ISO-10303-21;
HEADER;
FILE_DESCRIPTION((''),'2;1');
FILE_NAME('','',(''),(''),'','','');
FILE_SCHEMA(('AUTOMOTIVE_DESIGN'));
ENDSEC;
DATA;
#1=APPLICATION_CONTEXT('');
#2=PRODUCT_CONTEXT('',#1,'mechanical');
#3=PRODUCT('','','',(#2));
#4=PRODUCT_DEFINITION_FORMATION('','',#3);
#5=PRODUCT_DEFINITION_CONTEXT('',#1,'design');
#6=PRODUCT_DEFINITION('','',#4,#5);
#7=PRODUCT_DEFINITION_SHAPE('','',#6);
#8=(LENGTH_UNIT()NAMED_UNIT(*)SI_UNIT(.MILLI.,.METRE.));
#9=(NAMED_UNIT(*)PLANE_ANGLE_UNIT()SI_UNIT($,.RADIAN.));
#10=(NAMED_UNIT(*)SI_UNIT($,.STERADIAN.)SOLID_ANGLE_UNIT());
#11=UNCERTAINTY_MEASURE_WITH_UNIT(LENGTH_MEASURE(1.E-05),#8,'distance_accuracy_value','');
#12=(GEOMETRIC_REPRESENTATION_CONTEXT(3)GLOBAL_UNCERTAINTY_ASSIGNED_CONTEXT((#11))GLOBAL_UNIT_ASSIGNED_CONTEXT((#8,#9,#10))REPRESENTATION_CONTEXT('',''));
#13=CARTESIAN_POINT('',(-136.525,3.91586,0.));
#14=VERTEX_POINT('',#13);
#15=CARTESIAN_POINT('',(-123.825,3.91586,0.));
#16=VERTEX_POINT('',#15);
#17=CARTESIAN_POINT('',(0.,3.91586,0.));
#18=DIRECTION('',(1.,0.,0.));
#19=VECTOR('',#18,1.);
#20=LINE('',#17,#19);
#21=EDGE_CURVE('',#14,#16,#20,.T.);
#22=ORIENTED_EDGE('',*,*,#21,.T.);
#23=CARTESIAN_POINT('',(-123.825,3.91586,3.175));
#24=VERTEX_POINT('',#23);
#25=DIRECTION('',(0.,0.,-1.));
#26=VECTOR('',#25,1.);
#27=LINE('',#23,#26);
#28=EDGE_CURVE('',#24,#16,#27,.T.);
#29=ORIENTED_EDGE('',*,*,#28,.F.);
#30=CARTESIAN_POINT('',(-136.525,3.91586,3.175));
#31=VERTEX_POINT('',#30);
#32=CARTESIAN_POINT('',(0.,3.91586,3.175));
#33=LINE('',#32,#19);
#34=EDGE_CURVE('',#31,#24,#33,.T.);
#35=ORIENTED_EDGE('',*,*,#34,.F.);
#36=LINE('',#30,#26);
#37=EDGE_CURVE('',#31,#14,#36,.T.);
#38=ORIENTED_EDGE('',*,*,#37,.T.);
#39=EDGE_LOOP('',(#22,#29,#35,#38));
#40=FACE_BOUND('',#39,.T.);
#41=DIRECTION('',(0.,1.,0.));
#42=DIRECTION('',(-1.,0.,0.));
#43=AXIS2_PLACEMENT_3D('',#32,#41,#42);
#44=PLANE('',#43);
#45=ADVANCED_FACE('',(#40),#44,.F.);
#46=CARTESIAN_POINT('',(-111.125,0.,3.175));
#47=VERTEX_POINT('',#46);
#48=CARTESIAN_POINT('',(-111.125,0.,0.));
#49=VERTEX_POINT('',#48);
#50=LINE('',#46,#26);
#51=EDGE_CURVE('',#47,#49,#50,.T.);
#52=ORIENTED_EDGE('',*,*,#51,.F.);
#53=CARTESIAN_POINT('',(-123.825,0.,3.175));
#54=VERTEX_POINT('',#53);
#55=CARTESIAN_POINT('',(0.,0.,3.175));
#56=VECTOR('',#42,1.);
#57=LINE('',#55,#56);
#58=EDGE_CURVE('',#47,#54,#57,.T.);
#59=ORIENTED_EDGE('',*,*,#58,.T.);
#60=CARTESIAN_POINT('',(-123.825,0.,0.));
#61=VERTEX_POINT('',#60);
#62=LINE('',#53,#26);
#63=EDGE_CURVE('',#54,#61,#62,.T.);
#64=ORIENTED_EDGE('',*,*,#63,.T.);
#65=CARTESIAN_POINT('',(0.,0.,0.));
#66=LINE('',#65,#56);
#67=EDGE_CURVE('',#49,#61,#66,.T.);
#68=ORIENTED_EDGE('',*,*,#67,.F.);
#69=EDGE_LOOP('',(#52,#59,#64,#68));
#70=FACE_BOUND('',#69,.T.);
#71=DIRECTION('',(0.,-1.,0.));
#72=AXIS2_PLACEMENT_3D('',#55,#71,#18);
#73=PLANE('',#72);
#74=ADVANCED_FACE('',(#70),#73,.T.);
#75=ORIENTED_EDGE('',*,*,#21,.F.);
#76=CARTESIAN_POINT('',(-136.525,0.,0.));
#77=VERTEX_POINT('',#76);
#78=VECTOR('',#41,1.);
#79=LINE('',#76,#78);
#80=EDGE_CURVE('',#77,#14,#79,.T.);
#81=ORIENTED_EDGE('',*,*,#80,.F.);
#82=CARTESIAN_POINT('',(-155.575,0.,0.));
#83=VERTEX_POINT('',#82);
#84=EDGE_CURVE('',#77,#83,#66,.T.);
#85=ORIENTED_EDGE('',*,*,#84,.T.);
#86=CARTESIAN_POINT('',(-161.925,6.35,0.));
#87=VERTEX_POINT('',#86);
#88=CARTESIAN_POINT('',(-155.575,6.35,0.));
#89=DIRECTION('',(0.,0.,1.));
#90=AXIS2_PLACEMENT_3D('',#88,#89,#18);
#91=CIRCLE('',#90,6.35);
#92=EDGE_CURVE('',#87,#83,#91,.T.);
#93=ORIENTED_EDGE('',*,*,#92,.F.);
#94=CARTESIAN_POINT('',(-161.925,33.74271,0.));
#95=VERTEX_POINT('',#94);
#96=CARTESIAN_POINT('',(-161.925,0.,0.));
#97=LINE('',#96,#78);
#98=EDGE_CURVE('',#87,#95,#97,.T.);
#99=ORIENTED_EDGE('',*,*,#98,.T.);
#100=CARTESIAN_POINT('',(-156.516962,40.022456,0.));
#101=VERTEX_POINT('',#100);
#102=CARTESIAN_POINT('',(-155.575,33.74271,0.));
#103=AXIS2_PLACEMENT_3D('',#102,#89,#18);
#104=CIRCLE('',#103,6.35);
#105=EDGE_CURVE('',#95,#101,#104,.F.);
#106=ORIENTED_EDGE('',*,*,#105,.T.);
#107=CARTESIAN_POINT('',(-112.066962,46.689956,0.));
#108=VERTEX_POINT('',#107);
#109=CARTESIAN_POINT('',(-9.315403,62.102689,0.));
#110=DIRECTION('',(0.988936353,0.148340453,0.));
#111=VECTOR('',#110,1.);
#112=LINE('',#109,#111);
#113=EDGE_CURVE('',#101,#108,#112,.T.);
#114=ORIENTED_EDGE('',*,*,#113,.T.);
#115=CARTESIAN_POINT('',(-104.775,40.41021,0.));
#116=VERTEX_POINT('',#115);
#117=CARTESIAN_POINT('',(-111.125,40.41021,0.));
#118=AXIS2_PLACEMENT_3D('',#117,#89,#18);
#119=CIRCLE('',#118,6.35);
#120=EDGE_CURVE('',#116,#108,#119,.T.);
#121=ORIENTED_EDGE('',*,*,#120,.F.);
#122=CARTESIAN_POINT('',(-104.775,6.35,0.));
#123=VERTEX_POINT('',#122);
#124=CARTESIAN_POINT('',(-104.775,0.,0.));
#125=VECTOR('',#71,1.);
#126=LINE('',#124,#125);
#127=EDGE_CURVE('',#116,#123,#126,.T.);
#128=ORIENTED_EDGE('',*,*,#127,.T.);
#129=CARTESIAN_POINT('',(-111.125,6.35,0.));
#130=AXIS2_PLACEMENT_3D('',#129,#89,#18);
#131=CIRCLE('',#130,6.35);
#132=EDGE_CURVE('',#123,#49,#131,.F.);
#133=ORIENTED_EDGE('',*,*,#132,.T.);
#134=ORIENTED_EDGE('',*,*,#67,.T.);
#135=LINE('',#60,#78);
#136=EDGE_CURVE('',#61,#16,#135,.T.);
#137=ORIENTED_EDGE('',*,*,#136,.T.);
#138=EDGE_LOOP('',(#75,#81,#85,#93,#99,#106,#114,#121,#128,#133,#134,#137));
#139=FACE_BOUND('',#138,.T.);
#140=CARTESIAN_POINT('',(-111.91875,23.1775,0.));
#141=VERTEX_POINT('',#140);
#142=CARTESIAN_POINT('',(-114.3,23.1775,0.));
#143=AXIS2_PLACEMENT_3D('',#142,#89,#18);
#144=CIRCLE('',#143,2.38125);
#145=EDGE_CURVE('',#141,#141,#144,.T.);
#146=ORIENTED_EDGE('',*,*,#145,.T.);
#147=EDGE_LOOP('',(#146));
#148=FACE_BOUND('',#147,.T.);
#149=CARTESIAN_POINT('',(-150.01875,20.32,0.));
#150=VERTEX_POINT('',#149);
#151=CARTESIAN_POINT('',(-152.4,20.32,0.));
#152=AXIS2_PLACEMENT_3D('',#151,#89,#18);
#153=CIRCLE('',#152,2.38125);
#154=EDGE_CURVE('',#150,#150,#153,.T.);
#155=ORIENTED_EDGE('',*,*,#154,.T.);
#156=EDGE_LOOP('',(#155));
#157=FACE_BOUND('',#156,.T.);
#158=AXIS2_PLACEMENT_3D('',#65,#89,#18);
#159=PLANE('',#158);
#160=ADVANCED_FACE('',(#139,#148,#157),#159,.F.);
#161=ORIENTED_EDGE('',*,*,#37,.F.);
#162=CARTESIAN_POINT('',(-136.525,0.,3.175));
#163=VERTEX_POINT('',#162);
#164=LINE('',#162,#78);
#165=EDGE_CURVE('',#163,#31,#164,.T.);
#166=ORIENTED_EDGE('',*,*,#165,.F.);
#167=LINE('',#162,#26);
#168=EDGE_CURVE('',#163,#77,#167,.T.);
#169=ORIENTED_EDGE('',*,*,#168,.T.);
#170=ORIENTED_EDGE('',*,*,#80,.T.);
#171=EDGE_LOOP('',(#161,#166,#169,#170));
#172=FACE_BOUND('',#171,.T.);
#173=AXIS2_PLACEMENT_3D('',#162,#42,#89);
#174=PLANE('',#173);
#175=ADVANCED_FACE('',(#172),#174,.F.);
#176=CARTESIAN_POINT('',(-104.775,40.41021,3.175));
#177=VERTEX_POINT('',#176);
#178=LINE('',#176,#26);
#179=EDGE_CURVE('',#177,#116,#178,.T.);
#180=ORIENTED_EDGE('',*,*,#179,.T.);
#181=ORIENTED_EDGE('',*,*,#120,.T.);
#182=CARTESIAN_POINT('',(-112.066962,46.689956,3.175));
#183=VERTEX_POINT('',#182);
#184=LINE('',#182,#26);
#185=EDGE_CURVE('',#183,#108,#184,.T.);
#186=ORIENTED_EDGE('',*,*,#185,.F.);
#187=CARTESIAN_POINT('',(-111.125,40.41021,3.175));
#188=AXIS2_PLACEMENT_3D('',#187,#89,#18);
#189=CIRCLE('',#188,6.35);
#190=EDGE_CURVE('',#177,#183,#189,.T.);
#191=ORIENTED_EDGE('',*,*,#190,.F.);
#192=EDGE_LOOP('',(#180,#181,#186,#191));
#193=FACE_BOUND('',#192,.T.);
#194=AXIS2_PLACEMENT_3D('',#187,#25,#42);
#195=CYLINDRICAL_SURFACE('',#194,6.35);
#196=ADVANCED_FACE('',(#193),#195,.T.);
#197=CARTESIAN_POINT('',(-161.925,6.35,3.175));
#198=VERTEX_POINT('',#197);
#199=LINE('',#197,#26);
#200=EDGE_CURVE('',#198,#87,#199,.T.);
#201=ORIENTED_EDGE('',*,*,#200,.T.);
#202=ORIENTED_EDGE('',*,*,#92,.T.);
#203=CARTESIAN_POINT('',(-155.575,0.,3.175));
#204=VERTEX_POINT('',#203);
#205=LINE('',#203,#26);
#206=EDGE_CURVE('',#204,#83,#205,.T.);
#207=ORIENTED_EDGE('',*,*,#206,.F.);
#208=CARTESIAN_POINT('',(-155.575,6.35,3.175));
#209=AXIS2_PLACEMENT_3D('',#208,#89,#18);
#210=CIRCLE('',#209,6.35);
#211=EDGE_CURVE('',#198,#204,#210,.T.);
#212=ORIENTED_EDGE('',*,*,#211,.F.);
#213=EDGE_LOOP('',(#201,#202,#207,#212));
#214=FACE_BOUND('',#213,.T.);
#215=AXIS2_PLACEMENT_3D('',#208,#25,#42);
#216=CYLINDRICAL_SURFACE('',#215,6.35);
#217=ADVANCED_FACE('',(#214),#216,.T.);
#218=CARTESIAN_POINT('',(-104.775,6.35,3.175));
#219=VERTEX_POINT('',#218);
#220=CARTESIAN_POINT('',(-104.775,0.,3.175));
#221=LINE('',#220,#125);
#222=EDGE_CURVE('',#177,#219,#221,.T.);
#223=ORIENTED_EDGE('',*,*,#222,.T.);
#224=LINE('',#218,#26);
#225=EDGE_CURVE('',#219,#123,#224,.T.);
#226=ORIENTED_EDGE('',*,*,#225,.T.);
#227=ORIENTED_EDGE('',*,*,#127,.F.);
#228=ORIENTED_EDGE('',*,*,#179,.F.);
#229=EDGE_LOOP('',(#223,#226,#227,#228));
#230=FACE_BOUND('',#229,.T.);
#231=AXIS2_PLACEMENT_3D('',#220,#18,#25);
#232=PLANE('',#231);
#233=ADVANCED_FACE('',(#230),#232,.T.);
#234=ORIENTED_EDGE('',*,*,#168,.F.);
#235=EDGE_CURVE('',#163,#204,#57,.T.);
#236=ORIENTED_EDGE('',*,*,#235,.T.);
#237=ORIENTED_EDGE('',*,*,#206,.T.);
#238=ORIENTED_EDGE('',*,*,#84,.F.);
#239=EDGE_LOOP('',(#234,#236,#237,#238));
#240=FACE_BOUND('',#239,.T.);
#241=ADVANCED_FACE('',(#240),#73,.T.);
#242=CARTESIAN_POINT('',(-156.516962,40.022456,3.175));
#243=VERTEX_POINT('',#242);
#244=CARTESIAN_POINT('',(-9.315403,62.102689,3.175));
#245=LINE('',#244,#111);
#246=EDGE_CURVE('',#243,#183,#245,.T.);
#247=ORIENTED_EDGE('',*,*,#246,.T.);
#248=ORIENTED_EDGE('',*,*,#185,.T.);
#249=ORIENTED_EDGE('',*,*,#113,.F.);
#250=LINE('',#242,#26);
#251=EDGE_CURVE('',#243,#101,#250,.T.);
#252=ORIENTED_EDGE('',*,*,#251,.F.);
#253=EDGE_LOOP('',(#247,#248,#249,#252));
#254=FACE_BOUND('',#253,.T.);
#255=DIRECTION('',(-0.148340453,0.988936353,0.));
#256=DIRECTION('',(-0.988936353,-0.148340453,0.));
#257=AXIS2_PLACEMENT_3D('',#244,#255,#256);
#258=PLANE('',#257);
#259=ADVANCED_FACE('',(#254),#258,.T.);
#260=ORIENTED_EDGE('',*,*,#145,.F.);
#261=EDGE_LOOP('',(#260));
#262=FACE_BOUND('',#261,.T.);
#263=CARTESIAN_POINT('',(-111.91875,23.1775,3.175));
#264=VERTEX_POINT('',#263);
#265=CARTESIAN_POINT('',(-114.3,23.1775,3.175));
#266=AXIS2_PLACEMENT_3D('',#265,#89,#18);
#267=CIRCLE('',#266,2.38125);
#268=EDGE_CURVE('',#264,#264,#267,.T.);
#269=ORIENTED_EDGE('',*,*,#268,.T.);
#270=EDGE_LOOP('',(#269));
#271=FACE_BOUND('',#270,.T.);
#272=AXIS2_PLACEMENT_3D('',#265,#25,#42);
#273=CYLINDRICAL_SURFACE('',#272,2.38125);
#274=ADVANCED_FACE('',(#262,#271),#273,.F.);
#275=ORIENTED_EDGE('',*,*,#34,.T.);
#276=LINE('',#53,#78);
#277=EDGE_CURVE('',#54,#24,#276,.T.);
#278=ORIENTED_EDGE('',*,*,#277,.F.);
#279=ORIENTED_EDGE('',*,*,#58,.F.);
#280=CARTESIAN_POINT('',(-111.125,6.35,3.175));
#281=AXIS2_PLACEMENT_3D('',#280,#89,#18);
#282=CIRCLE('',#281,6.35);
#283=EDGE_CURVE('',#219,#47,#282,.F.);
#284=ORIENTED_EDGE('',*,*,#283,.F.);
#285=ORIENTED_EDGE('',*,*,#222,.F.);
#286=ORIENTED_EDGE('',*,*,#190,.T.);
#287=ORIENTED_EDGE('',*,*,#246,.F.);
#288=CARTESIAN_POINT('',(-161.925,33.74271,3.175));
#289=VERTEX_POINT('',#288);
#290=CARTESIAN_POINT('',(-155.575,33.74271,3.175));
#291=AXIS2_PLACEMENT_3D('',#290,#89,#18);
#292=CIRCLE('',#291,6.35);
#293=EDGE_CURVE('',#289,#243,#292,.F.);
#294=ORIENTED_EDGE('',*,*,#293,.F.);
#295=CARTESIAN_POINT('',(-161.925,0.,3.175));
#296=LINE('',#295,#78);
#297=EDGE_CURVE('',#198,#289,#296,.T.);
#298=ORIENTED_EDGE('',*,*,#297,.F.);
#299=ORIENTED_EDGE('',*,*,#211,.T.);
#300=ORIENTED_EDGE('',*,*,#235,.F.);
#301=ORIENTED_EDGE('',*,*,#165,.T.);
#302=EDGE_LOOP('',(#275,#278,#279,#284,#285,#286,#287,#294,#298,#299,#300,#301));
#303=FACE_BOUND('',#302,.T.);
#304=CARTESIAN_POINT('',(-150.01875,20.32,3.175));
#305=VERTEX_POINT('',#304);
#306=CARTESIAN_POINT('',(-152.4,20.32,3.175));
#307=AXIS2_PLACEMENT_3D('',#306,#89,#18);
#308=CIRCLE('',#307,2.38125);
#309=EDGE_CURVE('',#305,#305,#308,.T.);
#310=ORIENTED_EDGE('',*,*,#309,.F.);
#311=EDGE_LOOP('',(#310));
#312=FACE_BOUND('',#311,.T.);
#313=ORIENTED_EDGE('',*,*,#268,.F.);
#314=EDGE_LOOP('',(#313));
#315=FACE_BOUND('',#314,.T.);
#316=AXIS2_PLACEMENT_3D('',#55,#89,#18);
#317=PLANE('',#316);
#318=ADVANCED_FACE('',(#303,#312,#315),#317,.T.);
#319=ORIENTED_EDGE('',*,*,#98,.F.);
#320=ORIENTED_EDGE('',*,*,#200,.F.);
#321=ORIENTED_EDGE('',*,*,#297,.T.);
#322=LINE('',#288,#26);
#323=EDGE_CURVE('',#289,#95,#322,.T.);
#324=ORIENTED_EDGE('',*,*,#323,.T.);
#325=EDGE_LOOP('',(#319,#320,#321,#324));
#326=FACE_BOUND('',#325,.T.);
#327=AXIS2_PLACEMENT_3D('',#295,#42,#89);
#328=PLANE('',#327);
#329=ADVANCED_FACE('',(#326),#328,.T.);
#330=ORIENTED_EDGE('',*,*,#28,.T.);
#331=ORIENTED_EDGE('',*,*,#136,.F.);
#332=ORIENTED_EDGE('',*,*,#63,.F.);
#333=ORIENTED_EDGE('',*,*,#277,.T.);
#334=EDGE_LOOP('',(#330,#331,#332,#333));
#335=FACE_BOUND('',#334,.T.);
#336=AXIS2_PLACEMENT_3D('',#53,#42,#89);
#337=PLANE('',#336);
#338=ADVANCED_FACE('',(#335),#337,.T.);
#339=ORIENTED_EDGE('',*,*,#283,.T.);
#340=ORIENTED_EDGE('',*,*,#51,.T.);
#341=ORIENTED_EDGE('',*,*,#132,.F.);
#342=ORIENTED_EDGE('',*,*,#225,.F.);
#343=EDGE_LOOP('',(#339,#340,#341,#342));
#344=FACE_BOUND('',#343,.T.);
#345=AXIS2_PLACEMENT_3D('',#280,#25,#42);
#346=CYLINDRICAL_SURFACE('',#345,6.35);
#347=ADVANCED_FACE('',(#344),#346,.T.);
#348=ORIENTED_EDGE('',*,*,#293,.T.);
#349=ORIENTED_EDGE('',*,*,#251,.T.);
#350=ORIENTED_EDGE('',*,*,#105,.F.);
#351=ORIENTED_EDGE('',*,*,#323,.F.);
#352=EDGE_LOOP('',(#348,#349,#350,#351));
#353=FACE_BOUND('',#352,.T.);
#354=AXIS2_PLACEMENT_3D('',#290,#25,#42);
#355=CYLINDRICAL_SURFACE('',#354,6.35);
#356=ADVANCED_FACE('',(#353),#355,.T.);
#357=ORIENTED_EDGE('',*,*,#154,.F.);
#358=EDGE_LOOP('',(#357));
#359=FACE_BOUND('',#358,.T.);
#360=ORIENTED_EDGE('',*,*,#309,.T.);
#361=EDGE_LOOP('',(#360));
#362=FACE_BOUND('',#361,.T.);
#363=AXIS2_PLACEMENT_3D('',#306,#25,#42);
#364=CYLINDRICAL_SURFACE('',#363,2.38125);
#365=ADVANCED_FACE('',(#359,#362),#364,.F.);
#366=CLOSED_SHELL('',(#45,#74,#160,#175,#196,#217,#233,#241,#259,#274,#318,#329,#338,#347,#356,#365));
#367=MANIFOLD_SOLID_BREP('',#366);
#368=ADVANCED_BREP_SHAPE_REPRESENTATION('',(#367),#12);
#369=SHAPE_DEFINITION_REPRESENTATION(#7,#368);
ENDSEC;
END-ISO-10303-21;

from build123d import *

# Parameters (mm, degrees)
BOSS_EXTRUDE1_DEPTH = 3.175


with BuildPart() as part:
    # Sketch1 → Boss-Extrude1 (new body)
    with BuildSketch(Plane.XY):
        with BuildLine():
            Line((-152.4, 22.70125), (-152.4, 40.64))
            Line((-152.4, 40.64), (-156.516961876, 40.022455719))
            ThreePointArc((-156.516961876, 40.022455719), (-160.386650336, 37.886442621), (-161.925, 33.742709878))
            Line((-161.925, 33.742709878), (-161.925, 6.35))
            ThreePointArc((-161.925, 6.35), (-160.065128061, 1.859871939), (-155.575, 0))
            Line((-155.575, 0), (-152.4, 0))
            Line((-152.4, 0), (-152.4, 17.93875))
            ThreePointArc((-152.4, 17.93875), (-154.78125, 20.32), (-152.4, 22.70125))
        make_face()
        with BuildLine():
            Line((-123.825, 0), (-114.3, 0))
            Line((-114.3, 0), (-114.3, 20.79625))
            ThreePointArc((-114.3, 20.79625), (-116.68125, 23.1775), (-114.3, 25.55875))
            Line((-114.3, 25.55875), (-114.3, 46.355))
            Line((-114.3, 46.355), (-152.4, 40.64))
            Line((-152.4, 40.64), (-152.4, 22.70125))
            ThreePointArc((-152.4, 22.70125), (-150.716201977, 22.003798023), (-150.01875, 20.32))
            ThreePointArc((-150.01875, 20.32), (-150.716201977, 18.636201977), (-152.4, 17.93875))
            Line((-152.4, 17.93875), (-152.4, 0))
            Line((-152.4, 0), (-136.525, 0))
            Line((-136.525, 0), (-136.525, 3.915859715))
            Line((-136.525, 3.915859715), (-123.825, 3.915859715))
            Line((-123.825, 3.915859715), (-123.825, 0))
        make_face()
        with BuildLine():
            Line((-114.3, 20.79625), (-114.3, 0))
            Line((-114.3, 0), (-111.125, 0))
            ThreePointArc((-111.125, 0), (-106.634871939, 1.859871939), (-104.775, 6.35))
            Line((-104.775, 6.35), (-104.775, 40.410209878))
            ThreePointArc((-104.775, 40.410209878), (-106.981267257, 45.221860214), (-112.066961876, 46.689955719))
            Line((-112.066961876, 46.689955719), (-114.3, 46.355))
            Line((-114.3, 46.355), (-114.3, 25.55875))
            ThreePointArc((-114.3, 25.55875), (-112.616201977, 24.861298023), (-111.91875, 23.1775))
            ThreePointArc((-111.91875, 23.1775), (-112.616201977, 21.493701977), (-114.3, 20.79625))
        make_face()
    extrude(amount=BOSS_EXTRUDE1_DEPTH)


solid = part.part
